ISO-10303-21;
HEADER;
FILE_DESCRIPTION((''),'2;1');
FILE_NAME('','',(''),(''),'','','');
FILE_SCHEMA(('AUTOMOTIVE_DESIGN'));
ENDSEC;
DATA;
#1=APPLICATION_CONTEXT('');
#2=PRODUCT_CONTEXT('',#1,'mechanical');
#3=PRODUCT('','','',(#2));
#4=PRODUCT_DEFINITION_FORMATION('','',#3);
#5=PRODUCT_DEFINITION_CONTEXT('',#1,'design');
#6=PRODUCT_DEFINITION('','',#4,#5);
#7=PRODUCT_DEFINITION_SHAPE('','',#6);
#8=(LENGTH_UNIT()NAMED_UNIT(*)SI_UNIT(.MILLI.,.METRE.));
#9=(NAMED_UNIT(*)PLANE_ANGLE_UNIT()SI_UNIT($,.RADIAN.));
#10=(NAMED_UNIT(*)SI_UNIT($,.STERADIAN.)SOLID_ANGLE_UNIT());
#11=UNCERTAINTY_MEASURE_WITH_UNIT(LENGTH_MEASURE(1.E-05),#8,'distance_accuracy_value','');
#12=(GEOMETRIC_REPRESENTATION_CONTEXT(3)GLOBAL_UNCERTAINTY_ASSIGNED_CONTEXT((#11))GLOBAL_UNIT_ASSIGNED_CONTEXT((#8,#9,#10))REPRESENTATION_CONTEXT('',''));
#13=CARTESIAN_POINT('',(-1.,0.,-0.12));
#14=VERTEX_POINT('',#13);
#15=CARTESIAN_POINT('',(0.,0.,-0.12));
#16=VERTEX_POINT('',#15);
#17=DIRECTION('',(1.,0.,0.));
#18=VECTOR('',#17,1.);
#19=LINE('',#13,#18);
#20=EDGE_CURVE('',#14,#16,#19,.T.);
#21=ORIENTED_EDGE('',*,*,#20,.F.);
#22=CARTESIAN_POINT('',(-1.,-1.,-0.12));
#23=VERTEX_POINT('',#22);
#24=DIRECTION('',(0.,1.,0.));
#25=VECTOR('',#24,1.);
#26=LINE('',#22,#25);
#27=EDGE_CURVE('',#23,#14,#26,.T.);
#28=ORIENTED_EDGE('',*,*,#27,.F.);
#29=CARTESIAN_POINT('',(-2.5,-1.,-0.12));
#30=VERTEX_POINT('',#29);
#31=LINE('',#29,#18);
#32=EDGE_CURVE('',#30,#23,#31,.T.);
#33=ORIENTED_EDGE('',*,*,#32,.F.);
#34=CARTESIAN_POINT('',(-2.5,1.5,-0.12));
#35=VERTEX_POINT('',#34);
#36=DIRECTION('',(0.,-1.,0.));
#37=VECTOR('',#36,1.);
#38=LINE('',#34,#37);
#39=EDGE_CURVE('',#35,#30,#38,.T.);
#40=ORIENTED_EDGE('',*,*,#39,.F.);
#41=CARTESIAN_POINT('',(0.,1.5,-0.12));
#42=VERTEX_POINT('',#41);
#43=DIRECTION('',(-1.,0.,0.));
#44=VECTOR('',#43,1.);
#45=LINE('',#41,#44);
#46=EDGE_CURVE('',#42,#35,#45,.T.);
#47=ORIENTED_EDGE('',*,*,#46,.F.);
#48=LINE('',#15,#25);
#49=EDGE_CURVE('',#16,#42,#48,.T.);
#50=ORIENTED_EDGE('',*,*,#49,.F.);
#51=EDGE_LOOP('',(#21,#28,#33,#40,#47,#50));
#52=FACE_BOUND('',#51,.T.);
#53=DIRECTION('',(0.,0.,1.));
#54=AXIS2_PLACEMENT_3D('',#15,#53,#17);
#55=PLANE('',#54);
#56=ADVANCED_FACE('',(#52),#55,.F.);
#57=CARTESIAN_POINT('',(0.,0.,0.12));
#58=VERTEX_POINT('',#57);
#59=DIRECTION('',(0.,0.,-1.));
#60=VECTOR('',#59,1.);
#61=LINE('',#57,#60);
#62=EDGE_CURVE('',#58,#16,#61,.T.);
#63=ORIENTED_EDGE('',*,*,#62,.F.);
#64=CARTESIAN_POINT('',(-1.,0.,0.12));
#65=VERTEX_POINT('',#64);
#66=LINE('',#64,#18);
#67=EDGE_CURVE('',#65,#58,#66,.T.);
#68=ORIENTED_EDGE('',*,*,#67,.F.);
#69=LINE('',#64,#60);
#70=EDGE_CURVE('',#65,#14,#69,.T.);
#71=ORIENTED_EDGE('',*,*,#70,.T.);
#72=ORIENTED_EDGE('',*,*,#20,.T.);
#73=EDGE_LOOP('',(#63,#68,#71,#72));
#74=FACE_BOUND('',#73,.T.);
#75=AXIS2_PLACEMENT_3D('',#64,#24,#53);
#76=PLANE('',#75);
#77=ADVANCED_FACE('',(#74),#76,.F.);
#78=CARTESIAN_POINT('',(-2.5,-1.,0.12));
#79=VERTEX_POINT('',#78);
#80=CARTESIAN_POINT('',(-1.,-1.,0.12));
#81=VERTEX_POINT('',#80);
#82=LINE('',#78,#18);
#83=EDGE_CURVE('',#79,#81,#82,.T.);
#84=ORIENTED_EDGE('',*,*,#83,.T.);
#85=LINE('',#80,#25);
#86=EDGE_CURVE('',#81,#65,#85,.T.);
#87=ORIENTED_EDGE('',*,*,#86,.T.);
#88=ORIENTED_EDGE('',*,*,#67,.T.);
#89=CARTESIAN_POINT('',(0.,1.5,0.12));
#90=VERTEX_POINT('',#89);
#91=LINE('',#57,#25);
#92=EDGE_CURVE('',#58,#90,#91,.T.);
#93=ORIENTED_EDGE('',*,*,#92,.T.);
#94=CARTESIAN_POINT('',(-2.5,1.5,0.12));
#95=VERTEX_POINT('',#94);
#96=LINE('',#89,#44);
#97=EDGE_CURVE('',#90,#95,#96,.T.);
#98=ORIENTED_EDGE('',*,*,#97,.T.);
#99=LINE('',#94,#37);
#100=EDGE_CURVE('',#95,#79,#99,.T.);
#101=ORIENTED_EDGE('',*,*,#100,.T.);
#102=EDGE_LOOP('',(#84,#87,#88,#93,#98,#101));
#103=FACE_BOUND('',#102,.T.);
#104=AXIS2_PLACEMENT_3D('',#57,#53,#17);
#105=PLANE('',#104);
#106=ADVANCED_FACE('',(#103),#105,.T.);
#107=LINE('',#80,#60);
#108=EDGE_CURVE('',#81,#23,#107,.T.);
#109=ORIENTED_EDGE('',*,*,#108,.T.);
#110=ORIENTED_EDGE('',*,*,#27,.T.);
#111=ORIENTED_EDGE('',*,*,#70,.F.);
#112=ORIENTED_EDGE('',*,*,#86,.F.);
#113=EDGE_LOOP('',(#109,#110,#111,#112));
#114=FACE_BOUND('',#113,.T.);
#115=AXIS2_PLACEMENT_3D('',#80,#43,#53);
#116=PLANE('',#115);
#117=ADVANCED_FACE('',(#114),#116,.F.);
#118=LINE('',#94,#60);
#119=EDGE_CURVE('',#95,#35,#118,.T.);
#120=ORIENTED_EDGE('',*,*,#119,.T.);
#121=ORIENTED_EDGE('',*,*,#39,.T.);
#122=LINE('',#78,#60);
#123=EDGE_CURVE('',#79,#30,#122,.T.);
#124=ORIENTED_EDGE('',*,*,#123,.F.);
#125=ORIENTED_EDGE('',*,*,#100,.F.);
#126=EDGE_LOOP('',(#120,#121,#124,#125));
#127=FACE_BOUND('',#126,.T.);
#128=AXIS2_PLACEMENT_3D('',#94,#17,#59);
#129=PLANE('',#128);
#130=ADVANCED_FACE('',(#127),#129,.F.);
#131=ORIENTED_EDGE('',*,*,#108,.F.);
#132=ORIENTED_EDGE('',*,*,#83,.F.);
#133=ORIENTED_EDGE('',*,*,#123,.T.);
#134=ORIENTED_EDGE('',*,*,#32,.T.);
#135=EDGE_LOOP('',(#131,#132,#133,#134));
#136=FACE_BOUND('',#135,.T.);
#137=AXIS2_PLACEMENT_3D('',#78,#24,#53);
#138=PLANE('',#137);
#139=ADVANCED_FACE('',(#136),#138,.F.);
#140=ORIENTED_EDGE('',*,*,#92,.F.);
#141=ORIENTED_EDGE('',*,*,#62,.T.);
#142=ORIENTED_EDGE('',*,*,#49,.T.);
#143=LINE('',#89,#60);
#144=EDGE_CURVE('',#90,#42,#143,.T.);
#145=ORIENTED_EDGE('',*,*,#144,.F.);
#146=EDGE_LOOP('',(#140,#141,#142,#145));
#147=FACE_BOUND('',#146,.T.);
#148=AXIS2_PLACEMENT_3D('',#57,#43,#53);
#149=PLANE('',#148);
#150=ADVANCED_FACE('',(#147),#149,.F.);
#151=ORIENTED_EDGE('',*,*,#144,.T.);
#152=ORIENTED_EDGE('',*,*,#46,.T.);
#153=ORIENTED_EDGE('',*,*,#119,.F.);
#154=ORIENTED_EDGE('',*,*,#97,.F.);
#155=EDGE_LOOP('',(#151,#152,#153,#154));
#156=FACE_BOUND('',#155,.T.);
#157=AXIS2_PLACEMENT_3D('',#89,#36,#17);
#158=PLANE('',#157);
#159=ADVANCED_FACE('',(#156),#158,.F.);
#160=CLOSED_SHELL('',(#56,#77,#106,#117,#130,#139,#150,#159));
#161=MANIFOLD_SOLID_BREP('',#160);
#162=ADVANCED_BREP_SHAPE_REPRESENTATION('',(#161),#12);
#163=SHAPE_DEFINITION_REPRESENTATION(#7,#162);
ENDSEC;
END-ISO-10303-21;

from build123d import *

# Parameters (mm, degrees)
BOSS_EXTRUDE1_DEPTH = 0.12


with BuildPart() as part:
    # Sketch1 → Boss-Extrude1 (new, symmetric)
    with BuildSketch(Plane.XY):
        Polygon((0, 0), (0, 1.5), (-2.5, 1.5), (-2.5, -1), (-1, -1), (-1, 0), align=None)
    extrude(amount=BOSS_EXTRUDE1_DEPTH, both=True)


solid = part.part
